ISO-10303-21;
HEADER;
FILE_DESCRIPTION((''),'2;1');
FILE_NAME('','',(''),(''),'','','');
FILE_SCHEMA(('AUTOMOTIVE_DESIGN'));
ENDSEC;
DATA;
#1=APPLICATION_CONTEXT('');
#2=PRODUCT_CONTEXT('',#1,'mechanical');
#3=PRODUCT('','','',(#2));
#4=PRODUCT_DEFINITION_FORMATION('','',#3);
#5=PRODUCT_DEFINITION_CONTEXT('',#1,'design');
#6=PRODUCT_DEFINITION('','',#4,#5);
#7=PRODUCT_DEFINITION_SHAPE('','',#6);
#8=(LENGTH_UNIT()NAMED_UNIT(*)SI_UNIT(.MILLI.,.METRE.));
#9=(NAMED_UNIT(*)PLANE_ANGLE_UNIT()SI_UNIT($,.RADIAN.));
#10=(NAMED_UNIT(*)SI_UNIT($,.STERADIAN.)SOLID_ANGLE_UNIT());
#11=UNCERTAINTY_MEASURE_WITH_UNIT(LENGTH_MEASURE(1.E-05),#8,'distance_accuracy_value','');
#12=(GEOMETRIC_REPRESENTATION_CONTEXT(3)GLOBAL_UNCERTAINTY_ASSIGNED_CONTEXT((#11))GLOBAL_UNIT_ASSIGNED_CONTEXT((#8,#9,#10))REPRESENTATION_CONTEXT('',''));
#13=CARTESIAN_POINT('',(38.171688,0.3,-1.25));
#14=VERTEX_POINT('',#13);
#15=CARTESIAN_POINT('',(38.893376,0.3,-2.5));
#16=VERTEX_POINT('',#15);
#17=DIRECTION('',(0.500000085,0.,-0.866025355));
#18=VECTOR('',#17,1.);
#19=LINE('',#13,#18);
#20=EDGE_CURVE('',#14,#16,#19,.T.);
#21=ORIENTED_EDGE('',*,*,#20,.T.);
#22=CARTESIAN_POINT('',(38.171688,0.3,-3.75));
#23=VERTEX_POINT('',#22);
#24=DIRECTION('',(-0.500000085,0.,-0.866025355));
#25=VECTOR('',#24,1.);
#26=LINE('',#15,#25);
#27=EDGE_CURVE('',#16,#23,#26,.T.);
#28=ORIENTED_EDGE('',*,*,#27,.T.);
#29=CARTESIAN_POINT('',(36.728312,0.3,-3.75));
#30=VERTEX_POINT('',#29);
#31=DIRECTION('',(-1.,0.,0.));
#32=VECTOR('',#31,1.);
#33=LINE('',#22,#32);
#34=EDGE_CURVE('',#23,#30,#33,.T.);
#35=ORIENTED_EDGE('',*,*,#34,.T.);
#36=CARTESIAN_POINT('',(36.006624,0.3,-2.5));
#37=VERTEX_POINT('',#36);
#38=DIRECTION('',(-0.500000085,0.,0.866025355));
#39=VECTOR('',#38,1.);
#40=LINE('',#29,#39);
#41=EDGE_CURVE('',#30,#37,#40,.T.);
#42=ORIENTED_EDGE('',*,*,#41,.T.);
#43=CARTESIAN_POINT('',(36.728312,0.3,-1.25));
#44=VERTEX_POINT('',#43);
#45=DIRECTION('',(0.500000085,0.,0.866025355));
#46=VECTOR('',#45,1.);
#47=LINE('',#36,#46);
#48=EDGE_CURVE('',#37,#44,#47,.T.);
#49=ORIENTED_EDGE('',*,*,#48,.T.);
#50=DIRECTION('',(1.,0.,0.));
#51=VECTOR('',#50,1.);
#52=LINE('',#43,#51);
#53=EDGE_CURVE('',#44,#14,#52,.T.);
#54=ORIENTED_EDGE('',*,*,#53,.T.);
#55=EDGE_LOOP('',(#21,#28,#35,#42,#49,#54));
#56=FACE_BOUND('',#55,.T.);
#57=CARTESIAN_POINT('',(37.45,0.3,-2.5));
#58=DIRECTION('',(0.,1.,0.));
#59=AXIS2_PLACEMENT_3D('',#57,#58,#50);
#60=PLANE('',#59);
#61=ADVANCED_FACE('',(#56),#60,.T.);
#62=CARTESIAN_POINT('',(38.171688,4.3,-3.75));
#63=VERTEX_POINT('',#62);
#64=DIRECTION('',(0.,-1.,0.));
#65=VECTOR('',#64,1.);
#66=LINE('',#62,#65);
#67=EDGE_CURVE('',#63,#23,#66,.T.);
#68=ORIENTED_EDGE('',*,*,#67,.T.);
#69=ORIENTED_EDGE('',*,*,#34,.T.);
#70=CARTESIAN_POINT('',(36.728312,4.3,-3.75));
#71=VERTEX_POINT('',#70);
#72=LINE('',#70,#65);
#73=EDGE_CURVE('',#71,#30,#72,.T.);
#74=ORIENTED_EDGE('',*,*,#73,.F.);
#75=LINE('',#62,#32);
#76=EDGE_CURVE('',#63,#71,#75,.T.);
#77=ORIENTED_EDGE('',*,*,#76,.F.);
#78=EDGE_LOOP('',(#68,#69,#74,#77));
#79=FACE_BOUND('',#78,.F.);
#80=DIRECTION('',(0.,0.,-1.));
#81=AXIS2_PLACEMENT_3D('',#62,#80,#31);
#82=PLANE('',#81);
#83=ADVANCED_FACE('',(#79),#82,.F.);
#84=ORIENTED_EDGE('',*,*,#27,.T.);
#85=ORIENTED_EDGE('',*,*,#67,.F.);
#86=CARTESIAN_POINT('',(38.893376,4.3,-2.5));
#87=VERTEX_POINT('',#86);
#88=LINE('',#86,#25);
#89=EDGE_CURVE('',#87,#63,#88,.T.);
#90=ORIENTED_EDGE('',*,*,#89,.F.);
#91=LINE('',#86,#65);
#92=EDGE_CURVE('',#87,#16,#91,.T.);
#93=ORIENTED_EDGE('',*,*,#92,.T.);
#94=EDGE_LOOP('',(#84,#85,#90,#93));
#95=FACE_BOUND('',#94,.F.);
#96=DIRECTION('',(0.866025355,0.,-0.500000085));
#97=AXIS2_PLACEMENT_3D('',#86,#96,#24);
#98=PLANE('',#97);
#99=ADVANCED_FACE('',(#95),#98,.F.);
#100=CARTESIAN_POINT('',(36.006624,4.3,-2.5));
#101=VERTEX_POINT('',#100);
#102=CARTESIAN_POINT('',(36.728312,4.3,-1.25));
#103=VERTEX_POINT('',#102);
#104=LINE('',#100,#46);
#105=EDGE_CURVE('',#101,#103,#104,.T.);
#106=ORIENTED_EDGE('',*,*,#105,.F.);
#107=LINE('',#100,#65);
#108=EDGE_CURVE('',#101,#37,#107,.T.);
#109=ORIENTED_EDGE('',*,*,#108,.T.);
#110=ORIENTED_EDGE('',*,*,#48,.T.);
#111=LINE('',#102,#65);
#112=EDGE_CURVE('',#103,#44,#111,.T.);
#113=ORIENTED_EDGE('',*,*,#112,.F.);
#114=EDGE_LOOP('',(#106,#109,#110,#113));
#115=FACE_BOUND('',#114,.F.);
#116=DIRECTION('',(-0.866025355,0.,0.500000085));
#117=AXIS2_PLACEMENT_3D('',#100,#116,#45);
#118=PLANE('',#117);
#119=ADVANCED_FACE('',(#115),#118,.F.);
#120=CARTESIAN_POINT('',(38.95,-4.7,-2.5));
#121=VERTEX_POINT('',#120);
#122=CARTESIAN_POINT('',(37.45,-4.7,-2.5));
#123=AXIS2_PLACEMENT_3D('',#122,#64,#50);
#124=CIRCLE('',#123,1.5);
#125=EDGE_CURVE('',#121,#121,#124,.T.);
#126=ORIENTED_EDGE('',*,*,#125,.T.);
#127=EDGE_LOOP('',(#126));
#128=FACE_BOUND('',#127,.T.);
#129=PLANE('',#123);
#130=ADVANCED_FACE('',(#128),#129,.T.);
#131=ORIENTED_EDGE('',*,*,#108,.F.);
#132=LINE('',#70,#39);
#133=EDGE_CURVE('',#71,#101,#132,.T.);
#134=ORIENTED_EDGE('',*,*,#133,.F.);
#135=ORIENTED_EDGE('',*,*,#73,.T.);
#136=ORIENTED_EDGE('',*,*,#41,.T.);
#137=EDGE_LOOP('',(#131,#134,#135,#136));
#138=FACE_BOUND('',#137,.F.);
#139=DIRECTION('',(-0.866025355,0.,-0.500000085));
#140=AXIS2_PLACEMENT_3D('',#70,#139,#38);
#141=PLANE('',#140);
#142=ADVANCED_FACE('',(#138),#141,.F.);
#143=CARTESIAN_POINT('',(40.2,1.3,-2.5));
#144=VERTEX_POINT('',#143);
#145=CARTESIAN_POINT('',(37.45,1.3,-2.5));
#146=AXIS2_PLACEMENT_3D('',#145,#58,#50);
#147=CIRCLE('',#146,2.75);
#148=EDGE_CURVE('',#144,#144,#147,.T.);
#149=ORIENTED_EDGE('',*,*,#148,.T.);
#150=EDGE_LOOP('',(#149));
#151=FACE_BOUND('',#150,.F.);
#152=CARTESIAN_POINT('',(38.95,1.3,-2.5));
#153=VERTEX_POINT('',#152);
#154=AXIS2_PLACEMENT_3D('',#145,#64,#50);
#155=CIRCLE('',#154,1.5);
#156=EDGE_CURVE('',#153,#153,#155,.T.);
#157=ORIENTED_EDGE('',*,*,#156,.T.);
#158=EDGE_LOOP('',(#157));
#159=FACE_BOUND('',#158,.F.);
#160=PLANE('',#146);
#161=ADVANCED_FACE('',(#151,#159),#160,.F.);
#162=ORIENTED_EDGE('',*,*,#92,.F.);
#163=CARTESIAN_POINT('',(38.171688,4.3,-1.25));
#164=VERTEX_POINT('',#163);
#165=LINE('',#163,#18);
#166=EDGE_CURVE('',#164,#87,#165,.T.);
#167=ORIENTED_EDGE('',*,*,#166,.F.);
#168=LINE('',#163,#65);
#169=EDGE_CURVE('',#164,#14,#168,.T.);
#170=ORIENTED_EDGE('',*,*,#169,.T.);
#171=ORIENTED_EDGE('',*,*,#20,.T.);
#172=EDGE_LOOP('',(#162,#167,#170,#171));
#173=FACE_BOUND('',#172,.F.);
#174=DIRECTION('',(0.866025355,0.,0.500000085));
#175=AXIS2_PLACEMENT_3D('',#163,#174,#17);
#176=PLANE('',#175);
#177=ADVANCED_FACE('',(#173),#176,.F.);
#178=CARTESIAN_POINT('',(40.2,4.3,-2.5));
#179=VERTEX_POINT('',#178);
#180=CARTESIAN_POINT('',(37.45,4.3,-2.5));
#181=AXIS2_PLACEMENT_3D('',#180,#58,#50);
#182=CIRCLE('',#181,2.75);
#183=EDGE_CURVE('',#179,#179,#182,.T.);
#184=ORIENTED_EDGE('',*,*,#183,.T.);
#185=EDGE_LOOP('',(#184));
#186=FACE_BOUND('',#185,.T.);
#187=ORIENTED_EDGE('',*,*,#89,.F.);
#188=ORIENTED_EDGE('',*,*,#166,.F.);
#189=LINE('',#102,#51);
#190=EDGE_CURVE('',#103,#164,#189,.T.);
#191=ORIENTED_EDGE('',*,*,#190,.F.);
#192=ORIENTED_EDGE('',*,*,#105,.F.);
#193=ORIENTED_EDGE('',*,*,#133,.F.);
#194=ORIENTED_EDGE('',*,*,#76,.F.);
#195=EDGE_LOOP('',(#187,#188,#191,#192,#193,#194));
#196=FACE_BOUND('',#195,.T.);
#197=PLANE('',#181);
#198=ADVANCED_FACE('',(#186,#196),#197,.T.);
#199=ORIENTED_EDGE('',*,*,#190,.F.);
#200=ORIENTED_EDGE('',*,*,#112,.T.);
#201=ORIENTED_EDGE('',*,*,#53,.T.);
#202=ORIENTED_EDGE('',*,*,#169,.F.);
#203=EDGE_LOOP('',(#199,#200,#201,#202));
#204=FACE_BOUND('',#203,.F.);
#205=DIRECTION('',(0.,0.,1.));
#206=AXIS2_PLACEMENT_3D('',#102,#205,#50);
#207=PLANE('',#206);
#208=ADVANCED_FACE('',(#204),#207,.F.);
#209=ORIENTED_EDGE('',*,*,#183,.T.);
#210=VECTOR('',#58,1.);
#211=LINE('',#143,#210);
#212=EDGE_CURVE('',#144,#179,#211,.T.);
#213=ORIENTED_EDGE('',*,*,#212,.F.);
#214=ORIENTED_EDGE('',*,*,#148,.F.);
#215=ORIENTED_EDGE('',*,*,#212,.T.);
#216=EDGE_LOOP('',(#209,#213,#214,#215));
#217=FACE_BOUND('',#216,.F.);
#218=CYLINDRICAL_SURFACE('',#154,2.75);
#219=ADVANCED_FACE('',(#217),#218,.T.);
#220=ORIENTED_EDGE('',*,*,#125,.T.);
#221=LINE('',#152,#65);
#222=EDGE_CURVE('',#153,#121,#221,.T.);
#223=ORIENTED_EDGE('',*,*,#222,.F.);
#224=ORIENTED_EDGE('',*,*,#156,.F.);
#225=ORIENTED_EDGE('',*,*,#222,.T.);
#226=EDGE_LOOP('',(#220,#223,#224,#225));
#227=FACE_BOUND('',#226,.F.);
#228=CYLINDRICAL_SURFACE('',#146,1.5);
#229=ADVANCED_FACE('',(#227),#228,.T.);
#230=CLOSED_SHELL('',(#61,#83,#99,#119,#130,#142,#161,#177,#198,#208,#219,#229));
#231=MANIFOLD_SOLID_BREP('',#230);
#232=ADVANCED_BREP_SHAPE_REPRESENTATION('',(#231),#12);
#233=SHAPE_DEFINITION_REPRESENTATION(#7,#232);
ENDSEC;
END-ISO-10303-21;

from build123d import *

# Parameters (mm, degrees)
SKETCH049_R             = 2.75
PAD025_DEPTH            = 3
SKETCH050_R             = 1.5
PAD002_DEPTH            = 6
POCKET020_DEPTH         = 4
BODY015_PLACEMENT_ANGLE = 90


with BuildPart() as part:
    # Sketch049 → Pad025 (new body)
    with BuildSketch(Plane.XY):
        Circle(SKETCH049_R)
    extrude(amount=PAD025_DEPTH)

    # Sketch050 (on Face2 of Pad025) → Pad002 (join)
    with BuildSketch(Plane(origin=(0, 0, 0), x_dir=(1, 0, 0), z_dir=(0, 0, -1))):
        Circle(SKETCH050_R)
    extrude(amount=PAD002_DEPTH)

    # Sketch048 (on DatumPlane) → Pocket020 (cut)
    with BuildSketch(Plane.XY.offset(3)):
        Polygon((0.721688, -1.25), (1.443376, 0), (0.721688, 1.25), (-0.721688, 1.25), (-1.443376, 0), (-0.721688, -1.25), align=None)
    extrude(amount=-POCKET020_DEPTH, mode=Mode.SUBTRACT)


with BuildPart() as part_1:
    # Body015 placement: moved
    add(part.part.moved(Location((37.45, 1.3, -2.5))).rotate(Axis((37.45, 1.3, -2.5), (-1, 0, 0)), BODY015_PLACEMENT_ANGLE))


solid = part_1.part
